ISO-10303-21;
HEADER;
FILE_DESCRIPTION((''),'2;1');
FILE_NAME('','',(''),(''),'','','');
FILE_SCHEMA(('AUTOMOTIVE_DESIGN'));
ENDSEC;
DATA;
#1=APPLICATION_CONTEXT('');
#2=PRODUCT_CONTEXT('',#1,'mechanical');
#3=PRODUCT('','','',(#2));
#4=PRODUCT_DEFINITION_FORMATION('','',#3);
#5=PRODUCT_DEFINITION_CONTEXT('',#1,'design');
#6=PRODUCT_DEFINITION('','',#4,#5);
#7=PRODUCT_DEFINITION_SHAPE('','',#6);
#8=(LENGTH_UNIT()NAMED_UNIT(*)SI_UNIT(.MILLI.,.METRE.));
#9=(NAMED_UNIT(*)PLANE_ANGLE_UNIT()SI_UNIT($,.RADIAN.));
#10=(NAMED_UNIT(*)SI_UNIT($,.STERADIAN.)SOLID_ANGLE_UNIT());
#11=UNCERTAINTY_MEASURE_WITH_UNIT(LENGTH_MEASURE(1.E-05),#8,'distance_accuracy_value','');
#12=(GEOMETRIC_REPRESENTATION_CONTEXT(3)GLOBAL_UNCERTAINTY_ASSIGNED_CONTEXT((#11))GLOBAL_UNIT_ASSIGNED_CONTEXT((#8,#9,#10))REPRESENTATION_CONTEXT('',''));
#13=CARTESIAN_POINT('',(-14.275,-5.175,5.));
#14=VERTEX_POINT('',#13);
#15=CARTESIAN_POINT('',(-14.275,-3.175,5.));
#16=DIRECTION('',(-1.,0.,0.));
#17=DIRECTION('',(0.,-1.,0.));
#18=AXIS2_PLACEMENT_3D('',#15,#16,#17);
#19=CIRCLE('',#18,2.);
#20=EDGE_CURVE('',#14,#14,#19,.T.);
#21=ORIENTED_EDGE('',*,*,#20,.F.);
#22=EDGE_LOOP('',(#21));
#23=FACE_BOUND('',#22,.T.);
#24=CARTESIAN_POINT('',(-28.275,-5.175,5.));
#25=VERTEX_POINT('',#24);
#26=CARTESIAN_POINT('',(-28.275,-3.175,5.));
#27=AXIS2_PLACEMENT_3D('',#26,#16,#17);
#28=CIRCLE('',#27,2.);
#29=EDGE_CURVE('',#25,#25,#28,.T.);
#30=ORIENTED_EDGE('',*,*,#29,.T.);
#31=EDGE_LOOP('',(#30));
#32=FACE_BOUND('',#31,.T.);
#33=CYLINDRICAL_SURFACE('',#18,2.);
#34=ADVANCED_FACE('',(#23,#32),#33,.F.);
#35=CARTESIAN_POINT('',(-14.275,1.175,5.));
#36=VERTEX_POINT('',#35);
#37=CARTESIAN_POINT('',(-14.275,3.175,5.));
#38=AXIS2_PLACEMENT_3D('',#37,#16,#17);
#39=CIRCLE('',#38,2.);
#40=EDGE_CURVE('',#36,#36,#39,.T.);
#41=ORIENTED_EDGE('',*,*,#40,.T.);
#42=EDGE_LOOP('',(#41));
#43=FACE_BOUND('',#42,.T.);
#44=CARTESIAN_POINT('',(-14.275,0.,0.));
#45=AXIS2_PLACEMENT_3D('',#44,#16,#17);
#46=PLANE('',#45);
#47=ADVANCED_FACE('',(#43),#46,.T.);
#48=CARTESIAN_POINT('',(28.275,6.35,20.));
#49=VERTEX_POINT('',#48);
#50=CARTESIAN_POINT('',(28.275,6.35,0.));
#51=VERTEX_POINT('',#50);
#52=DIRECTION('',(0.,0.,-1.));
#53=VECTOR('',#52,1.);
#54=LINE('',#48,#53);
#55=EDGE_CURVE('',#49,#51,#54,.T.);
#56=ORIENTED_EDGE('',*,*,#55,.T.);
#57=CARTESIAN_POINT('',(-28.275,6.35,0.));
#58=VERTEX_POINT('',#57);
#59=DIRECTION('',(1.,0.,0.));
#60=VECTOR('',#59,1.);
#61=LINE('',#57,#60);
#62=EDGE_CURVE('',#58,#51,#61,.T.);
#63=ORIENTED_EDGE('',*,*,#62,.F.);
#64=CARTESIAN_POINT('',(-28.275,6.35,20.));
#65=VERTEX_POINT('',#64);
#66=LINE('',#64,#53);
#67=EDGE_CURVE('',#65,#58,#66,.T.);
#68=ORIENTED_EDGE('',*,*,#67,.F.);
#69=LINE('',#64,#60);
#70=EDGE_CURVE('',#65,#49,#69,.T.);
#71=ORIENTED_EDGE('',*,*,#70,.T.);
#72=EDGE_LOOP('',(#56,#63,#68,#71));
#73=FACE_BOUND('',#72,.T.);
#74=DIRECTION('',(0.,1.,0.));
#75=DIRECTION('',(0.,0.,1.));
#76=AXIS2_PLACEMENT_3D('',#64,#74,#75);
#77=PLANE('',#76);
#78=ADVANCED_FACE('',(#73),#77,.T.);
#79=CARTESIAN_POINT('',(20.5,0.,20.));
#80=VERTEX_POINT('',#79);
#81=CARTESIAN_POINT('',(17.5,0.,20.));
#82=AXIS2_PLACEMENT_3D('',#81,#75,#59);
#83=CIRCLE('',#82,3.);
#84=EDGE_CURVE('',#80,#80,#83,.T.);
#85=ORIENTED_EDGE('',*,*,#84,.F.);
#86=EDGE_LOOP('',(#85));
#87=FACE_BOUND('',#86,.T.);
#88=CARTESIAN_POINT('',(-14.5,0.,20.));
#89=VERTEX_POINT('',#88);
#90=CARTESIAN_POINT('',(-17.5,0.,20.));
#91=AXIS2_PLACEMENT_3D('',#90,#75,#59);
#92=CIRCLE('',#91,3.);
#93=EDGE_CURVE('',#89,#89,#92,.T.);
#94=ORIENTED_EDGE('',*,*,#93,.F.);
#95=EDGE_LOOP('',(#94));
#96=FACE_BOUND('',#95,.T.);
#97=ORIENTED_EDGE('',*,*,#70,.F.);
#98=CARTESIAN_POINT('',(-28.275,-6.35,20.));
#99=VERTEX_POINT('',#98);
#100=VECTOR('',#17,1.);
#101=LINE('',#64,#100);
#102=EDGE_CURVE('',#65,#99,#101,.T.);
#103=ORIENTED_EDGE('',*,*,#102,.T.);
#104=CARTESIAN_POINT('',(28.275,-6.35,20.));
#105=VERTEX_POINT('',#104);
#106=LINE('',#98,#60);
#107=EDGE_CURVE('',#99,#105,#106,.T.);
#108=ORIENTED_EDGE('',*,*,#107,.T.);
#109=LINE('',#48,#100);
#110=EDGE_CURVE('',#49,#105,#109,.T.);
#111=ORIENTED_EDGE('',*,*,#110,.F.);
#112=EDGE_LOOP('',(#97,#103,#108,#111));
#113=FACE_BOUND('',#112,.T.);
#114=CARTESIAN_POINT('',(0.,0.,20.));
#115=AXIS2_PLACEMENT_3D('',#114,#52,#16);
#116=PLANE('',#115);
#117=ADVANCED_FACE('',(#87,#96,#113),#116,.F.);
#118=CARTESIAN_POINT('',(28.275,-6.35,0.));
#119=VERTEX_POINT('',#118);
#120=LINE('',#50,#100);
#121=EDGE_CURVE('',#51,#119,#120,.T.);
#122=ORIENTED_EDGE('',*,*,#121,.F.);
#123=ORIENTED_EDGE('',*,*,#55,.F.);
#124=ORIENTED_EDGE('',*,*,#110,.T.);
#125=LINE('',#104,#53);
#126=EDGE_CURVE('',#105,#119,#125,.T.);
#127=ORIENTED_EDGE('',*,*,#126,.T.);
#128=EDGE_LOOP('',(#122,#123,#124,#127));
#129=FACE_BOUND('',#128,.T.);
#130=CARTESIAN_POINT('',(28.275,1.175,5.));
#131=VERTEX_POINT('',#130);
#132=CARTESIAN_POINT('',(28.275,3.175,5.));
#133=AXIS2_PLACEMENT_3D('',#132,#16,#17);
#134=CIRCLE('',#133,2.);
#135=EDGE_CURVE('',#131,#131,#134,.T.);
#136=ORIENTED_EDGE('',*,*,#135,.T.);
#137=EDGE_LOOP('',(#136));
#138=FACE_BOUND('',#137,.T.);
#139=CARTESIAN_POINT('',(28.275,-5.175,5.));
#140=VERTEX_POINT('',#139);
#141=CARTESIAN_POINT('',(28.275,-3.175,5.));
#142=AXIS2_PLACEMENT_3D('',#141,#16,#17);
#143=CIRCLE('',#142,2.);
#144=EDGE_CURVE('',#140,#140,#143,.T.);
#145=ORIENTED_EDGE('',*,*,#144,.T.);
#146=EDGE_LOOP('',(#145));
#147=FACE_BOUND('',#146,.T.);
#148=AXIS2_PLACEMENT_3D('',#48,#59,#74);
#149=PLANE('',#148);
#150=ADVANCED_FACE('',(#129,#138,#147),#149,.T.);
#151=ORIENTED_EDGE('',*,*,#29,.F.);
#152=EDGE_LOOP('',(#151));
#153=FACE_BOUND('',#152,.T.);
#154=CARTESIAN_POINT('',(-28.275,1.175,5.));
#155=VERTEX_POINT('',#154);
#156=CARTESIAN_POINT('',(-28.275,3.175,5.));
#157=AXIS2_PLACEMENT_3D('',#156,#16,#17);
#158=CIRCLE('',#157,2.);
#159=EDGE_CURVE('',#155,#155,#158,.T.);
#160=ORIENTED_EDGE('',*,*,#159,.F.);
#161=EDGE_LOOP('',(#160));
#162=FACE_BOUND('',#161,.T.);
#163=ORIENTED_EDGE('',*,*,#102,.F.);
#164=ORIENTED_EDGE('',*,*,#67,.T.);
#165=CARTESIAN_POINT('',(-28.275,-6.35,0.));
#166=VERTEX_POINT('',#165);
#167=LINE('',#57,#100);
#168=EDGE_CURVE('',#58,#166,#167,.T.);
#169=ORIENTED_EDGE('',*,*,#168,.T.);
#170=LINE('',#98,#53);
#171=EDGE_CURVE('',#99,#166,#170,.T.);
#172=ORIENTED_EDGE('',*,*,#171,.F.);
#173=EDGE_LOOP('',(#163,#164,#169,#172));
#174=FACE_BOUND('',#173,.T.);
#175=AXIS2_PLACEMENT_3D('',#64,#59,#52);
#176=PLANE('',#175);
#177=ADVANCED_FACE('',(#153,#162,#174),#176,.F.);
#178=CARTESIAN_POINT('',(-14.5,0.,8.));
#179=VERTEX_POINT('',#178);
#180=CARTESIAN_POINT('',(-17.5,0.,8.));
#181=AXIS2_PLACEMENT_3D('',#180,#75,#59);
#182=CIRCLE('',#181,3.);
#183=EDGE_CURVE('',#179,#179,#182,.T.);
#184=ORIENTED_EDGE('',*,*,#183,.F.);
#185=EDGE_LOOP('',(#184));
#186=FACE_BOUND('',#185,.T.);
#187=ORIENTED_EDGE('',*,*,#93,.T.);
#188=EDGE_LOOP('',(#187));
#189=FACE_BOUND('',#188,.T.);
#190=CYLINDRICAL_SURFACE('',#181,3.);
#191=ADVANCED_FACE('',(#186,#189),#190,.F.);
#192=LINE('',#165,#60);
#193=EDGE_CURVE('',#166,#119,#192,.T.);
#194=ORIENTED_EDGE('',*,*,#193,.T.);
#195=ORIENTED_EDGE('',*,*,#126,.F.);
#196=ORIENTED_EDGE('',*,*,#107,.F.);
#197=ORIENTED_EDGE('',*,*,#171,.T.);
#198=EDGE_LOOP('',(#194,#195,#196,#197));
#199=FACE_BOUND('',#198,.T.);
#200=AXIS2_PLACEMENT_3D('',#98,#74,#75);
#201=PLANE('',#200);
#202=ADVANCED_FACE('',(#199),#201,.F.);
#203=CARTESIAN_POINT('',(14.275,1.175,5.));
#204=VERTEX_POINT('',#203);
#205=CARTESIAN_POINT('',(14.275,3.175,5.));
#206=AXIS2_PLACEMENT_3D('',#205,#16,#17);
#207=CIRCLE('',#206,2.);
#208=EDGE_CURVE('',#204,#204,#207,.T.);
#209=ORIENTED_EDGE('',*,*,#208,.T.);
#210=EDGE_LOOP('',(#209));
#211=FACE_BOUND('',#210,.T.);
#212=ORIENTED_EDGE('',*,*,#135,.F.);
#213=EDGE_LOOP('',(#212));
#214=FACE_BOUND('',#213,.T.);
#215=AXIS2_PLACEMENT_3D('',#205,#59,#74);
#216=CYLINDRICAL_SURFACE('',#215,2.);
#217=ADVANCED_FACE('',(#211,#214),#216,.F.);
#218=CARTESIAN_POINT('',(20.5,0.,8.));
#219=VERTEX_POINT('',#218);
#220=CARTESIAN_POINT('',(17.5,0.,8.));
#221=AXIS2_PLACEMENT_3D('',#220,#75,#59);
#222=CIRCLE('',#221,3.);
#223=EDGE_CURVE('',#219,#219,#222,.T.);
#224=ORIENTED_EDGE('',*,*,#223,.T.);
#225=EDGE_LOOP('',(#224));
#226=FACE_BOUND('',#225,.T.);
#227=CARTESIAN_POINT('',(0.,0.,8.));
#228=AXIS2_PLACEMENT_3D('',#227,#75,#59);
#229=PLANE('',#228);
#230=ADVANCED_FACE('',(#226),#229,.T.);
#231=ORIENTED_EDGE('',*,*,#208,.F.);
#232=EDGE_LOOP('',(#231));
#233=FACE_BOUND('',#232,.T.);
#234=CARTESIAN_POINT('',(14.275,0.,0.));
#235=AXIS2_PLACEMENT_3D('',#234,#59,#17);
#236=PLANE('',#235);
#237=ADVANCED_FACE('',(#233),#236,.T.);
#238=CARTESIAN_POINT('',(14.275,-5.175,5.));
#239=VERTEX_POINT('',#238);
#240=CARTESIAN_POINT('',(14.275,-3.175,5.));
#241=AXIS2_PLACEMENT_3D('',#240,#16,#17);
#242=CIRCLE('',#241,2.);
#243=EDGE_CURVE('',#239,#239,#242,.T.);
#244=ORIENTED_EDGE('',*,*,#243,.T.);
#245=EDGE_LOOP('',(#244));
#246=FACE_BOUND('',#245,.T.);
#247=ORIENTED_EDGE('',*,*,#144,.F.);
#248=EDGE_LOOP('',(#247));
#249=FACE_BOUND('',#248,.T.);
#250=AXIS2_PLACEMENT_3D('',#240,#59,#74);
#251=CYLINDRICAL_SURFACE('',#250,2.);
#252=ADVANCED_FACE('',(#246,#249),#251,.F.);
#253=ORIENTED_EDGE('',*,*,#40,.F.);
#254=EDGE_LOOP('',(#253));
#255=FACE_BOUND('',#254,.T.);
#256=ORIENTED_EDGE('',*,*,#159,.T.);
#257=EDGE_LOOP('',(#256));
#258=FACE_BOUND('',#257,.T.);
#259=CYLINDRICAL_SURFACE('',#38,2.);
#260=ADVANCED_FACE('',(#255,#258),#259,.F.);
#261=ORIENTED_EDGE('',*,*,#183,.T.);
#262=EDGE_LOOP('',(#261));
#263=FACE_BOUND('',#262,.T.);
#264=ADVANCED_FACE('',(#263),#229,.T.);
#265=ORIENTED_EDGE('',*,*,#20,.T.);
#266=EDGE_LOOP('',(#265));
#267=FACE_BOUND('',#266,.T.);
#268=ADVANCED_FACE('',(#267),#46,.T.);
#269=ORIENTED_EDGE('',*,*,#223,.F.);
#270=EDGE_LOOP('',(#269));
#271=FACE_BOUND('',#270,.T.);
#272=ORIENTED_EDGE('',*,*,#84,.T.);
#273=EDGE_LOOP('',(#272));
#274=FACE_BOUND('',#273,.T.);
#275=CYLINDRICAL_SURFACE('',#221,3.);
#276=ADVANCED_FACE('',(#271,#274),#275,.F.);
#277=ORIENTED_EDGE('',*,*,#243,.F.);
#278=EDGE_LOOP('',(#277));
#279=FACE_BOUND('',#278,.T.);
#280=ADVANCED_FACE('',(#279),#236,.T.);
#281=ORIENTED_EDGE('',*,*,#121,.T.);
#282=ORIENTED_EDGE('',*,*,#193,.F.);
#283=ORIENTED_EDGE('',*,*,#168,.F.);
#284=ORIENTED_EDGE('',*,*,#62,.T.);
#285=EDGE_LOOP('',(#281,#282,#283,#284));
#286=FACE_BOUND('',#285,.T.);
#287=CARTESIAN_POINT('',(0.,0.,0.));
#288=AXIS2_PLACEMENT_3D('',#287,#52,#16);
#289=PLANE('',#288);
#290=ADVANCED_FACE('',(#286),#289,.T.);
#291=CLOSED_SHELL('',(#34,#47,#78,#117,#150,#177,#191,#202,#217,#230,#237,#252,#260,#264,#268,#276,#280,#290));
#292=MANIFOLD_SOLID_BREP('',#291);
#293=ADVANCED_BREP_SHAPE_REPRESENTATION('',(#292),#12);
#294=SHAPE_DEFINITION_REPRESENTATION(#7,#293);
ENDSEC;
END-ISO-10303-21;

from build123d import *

# Parameters (mm, degrees)
SKETCH1_W           = 56.55
SKETCH1_H           = 12.7
BOSS_EXTRUDE1_DEPTH = 20
CUT_EXTRUDE1_DEPTH  = 12
SKETCH3_R           = 2
CUT_EXTRUDE2_DEPTH  = 14


with BuildPart() as part:
    # Sketch1 → Boss-Extrude1 (new body)
    with BuildSketch(Plane.XY):
        Rectangle(SKETCH1_W, SKETCH1_H)
    extrude(amount=BOSS_EXTRUDE1_DEPTH)

    # Sketch2 → Cut-Extrude1 (cut)
    with BuildSketch(Plane.XY.offset(20)):
        with BuildLine():
            Line((-20.5, 0), (-17.5, 0))
            Line((-17.5, 0), (-14.5, 0))
            ThreePointArc((-14.5, 0), (-17.5, 3), (-20.5, 0))
        make_face()
        with BuildLine():
            Line((-14.5, 0), (-17.5, 0))
            Line((-17.5, 0), (-20.5, 0))
            ThreePointArc((-20.5, 0), (-17.5, -3), (-14.5, 0))
        make_face()
        with BuildLine():
            ThreePointArc((20.5, 0), (17.5, 3), (14.5, 0))
            Line((14.5, 0), (17.5, 0))
            Line((17.5, 0), (20.5, 0))
        make_face()
        with BuildLine():
            Line((17.5, 0), (14.5, 0))
            ThreePointArc((14.5, 0), (17.5, -3), (20.5, 0))
            Line((20.5, 0), (17.5, 0))
        make_face()
    extrude(amount=-CUT_EXTRUDE1_DEPTH, mode=Mode.SUBTRACT)

    # Sketch3 → Cut-Extrude2 (cut)
    with BuildSketch(Plane.ZY.offset(28.275)):
        with Locations(Location((5, 3.175, 0), (0, 0, 270))):
            Circle(SKETCH3_R)
        with Locations(Location((5, -3.175, 0), (0, 0, 270))):
            Circle(SKETCH3_R)
    cut_extrude2 = extrude(amount=-CUT_EXTRUDE2_DEPTH, mode=Mode.SUBTRACT)

    # Mirror1: Cut-Extrude2 across plane
    add(cut_extrude2.mirror(Plane(origin=(0, 0, 0), x_dir=(0, 0, 1), z_dir=(1, 0, 0))), mode=Mode.SUBTRACT)


solid = part.part
